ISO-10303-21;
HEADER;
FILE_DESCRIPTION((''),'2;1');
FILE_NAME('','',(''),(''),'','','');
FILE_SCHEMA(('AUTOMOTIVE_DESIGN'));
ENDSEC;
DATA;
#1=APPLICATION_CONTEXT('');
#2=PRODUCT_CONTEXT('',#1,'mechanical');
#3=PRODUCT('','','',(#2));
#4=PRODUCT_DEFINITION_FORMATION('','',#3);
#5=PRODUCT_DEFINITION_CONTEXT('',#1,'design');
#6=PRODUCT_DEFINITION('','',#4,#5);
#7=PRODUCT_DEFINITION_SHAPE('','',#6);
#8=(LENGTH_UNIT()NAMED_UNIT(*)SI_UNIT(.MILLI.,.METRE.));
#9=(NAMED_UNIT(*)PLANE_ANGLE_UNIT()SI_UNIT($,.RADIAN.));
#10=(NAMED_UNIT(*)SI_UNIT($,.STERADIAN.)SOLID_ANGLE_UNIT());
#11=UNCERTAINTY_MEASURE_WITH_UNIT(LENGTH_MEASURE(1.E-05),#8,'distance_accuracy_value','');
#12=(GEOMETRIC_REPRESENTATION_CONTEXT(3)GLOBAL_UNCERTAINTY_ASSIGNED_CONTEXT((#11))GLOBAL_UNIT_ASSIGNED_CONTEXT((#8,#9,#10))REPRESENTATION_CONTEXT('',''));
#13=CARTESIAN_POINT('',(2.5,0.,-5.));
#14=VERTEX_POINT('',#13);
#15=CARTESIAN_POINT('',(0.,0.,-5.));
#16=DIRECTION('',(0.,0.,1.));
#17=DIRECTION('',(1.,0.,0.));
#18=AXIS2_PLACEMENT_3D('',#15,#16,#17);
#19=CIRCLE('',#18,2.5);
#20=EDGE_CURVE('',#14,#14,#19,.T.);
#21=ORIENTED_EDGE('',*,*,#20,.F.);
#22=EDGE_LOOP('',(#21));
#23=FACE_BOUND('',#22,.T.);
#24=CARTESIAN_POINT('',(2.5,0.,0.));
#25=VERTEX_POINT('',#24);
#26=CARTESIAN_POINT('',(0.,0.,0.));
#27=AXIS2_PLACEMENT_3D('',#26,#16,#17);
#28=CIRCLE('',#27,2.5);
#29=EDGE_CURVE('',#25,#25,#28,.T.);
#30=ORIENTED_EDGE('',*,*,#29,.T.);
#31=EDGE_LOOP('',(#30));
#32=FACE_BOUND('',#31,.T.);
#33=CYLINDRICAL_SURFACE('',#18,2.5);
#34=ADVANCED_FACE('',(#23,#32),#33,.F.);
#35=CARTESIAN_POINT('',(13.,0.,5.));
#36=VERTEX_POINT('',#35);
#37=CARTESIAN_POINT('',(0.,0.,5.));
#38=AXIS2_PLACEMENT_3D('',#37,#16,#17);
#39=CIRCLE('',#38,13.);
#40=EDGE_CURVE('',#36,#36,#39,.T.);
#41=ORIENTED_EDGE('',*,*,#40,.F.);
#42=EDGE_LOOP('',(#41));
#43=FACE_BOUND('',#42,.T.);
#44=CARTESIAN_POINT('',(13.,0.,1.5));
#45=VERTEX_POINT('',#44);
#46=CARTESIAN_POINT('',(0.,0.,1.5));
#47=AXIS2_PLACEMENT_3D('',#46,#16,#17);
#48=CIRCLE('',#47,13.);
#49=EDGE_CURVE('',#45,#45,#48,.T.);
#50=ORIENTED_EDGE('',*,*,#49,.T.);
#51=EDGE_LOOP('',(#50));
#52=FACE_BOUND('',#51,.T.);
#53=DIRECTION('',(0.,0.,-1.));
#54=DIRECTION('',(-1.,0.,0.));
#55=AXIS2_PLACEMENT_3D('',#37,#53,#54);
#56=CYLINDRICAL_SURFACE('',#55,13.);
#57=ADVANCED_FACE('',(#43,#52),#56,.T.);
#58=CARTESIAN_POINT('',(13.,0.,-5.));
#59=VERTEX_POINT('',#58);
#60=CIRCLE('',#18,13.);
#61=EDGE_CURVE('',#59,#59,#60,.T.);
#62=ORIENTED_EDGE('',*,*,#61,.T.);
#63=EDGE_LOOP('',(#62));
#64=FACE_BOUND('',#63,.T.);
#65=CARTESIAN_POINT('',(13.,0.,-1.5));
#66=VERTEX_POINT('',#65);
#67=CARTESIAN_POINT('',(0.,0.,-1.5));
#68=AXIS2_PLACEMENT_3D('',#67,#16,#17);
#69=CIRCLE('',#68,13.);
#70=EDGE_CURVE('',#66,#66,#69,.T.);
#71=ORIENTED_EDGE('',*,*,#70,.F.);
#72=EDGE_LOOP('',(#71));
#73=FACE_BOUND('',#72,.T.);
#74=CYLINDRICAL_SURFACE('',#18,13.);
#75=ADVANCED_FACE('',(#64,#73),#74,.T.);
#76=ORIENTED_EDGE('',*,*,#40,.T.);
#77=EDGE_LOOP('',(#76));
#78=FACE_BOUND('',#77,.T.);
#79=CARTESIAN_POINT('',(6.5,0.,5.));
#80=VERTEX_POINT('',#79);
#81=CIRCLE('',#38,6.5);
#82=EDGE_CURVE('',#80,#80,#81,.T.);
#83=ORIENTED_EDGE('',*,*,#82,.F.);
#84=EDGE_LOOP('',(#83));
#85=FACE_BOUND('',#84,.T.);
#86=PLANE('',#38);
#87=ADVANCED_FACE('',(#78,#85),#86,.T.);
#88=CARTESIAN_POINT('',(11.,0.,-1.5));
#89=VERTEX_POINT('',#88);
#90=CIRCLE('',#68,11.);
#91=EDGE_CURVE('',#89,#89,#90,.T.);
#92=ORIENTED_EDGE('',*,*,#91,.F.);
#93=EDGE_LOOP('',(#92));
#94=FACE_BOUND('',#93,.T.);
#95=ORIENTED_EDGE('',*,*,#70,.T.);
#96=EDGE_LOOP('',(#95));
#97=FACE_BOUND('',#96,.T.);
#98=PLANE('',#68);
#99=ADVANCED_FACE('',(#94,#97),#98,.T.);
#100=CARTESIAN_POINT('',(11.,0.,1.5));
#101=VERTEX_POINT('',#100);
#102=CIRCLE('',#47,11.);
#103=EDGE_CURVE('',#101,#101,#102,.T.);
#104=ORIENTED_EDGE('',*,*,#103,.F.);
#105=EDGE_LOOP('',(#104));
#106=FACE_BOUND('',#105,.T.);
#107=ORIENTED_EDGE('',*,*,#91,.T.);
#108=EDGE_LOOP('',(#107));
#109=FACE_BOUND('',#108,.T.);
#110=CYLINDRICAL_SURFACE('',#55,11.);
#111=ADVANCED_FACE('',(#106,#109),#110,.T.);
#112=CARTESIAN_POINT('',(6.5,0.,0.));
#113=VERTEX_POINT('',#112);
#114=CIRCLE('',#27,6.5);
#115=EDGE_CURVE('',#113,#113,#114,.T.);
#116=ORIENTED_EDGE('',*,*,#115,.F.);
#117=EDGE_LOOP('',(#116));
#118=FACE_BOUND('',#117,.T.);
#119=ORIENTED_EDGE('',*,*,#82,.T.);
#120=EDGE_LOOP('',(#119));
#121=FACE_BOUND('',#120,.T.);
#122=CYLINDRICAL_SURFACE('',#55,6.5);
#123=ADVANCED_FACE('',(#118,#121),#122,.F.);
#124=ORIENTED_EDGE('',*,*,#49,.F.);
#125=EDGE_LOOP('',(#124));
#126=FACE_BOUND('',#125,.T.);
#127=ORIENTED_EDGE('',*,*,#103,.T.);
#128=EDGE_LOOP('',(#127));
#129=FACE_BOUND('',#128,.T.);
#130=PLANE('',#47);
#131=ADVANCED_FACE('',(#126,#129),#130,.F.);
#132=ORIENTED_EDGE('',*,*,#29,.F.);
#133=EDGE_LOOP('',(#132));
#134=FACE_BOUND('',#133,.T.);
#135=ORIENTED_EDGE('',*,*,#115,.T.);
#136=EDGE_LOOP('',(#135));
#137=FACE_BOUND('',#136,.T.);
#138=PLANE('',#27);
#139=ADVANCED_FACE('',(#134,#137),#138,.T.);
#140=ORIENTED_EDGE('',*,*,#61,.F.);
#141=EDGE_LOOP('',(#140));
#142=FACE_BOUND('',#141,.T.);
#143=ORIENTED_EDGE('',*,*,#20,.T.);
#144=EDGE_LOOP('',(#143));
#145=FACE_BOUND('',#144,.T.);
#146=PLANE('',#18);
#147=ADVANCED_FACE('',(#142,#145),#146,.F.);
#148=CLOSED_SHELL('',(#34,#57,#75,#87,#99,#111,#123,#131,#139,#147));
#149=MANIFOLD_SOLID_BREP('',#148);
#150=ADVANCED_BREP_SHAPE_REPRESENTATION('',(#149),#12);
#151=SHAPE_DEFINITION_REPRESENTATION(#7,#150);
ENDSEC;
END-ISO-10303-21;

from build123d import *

# Parameters (mm, degrees)
SKETCH1_R           = 11
SKETCH1_R_2         = 6.5
BOSS_EXTRUDE1_DEPTH = 5
BOSS_EXTRUDE2_START = 5
SKETCH1_3_R         = 13
SKETCH1_3_R_2       = 11
BOSS_EXTRUDE2_DEPTH = 3.5
BOSS_EXTRUDE3_START = -5
SKETCH1_5_R         = 6.5
SKETCH1_5_R_2       = 2.5
BOSS_EXTRUDE3_DEPTH = 5
BOSS_EXTRUDE4_START = -1.5
SKETCH1_6_R         = 13
SKETCH1_6_R_2       = 11
BOSS_EXTRUDE4_DEPTH = 3.5


with BuildPart() as part:
    # Sketch1 → Boss-Extrude1 (new, symmetric)
    with BuildSketch(Plane.XY):
        Circle(SKETCH1_R)
        Circle(SKETCH1_R_2, mode=Mode.SUBTRACT)
    extrude(amount=BOSS_EXTRUDE1_DEPTH, both=True)

    # Sketch1<3> → Boss-Extrude2 (add)
    with BuildSketch(Plane.XY.offset(BOSS_EXTRUDE2_START)):
        Circle(SKETCH1_3_R)
        Circle(SKETCH1_3_R_2, mode=Mode.SUBTRACT)
    extrude(amount=-BOSS_EXTRUDE2_DEPTH)

    # Sketch1<5> → Boss-Extrude3 (add)
    with BuildSketch(Plane.XY.offset(BOSS_EXTRUDE3_START)):
        Circle(SKETCH1_5_R)
        Circle(SKETCH1_5_R_2, mode=Mode.SUBTRACT)
    extrude(amount=BOSS_EXTRUDE3_DEPTH)

    # Sketch1<6> → Boss-Extrude4 (add)
    with BuildSketch(Plane.XY.offset(BOSS_EXTRUDE4_START)):
        Circle(SKETCH1_6_R)
        Circle(SKETCH1_6_R_2, mode=Mode.SUBTRACT)
    extrude(amount=-BOSS_EXTRUDE4_DEPTH)


solid = part.part
